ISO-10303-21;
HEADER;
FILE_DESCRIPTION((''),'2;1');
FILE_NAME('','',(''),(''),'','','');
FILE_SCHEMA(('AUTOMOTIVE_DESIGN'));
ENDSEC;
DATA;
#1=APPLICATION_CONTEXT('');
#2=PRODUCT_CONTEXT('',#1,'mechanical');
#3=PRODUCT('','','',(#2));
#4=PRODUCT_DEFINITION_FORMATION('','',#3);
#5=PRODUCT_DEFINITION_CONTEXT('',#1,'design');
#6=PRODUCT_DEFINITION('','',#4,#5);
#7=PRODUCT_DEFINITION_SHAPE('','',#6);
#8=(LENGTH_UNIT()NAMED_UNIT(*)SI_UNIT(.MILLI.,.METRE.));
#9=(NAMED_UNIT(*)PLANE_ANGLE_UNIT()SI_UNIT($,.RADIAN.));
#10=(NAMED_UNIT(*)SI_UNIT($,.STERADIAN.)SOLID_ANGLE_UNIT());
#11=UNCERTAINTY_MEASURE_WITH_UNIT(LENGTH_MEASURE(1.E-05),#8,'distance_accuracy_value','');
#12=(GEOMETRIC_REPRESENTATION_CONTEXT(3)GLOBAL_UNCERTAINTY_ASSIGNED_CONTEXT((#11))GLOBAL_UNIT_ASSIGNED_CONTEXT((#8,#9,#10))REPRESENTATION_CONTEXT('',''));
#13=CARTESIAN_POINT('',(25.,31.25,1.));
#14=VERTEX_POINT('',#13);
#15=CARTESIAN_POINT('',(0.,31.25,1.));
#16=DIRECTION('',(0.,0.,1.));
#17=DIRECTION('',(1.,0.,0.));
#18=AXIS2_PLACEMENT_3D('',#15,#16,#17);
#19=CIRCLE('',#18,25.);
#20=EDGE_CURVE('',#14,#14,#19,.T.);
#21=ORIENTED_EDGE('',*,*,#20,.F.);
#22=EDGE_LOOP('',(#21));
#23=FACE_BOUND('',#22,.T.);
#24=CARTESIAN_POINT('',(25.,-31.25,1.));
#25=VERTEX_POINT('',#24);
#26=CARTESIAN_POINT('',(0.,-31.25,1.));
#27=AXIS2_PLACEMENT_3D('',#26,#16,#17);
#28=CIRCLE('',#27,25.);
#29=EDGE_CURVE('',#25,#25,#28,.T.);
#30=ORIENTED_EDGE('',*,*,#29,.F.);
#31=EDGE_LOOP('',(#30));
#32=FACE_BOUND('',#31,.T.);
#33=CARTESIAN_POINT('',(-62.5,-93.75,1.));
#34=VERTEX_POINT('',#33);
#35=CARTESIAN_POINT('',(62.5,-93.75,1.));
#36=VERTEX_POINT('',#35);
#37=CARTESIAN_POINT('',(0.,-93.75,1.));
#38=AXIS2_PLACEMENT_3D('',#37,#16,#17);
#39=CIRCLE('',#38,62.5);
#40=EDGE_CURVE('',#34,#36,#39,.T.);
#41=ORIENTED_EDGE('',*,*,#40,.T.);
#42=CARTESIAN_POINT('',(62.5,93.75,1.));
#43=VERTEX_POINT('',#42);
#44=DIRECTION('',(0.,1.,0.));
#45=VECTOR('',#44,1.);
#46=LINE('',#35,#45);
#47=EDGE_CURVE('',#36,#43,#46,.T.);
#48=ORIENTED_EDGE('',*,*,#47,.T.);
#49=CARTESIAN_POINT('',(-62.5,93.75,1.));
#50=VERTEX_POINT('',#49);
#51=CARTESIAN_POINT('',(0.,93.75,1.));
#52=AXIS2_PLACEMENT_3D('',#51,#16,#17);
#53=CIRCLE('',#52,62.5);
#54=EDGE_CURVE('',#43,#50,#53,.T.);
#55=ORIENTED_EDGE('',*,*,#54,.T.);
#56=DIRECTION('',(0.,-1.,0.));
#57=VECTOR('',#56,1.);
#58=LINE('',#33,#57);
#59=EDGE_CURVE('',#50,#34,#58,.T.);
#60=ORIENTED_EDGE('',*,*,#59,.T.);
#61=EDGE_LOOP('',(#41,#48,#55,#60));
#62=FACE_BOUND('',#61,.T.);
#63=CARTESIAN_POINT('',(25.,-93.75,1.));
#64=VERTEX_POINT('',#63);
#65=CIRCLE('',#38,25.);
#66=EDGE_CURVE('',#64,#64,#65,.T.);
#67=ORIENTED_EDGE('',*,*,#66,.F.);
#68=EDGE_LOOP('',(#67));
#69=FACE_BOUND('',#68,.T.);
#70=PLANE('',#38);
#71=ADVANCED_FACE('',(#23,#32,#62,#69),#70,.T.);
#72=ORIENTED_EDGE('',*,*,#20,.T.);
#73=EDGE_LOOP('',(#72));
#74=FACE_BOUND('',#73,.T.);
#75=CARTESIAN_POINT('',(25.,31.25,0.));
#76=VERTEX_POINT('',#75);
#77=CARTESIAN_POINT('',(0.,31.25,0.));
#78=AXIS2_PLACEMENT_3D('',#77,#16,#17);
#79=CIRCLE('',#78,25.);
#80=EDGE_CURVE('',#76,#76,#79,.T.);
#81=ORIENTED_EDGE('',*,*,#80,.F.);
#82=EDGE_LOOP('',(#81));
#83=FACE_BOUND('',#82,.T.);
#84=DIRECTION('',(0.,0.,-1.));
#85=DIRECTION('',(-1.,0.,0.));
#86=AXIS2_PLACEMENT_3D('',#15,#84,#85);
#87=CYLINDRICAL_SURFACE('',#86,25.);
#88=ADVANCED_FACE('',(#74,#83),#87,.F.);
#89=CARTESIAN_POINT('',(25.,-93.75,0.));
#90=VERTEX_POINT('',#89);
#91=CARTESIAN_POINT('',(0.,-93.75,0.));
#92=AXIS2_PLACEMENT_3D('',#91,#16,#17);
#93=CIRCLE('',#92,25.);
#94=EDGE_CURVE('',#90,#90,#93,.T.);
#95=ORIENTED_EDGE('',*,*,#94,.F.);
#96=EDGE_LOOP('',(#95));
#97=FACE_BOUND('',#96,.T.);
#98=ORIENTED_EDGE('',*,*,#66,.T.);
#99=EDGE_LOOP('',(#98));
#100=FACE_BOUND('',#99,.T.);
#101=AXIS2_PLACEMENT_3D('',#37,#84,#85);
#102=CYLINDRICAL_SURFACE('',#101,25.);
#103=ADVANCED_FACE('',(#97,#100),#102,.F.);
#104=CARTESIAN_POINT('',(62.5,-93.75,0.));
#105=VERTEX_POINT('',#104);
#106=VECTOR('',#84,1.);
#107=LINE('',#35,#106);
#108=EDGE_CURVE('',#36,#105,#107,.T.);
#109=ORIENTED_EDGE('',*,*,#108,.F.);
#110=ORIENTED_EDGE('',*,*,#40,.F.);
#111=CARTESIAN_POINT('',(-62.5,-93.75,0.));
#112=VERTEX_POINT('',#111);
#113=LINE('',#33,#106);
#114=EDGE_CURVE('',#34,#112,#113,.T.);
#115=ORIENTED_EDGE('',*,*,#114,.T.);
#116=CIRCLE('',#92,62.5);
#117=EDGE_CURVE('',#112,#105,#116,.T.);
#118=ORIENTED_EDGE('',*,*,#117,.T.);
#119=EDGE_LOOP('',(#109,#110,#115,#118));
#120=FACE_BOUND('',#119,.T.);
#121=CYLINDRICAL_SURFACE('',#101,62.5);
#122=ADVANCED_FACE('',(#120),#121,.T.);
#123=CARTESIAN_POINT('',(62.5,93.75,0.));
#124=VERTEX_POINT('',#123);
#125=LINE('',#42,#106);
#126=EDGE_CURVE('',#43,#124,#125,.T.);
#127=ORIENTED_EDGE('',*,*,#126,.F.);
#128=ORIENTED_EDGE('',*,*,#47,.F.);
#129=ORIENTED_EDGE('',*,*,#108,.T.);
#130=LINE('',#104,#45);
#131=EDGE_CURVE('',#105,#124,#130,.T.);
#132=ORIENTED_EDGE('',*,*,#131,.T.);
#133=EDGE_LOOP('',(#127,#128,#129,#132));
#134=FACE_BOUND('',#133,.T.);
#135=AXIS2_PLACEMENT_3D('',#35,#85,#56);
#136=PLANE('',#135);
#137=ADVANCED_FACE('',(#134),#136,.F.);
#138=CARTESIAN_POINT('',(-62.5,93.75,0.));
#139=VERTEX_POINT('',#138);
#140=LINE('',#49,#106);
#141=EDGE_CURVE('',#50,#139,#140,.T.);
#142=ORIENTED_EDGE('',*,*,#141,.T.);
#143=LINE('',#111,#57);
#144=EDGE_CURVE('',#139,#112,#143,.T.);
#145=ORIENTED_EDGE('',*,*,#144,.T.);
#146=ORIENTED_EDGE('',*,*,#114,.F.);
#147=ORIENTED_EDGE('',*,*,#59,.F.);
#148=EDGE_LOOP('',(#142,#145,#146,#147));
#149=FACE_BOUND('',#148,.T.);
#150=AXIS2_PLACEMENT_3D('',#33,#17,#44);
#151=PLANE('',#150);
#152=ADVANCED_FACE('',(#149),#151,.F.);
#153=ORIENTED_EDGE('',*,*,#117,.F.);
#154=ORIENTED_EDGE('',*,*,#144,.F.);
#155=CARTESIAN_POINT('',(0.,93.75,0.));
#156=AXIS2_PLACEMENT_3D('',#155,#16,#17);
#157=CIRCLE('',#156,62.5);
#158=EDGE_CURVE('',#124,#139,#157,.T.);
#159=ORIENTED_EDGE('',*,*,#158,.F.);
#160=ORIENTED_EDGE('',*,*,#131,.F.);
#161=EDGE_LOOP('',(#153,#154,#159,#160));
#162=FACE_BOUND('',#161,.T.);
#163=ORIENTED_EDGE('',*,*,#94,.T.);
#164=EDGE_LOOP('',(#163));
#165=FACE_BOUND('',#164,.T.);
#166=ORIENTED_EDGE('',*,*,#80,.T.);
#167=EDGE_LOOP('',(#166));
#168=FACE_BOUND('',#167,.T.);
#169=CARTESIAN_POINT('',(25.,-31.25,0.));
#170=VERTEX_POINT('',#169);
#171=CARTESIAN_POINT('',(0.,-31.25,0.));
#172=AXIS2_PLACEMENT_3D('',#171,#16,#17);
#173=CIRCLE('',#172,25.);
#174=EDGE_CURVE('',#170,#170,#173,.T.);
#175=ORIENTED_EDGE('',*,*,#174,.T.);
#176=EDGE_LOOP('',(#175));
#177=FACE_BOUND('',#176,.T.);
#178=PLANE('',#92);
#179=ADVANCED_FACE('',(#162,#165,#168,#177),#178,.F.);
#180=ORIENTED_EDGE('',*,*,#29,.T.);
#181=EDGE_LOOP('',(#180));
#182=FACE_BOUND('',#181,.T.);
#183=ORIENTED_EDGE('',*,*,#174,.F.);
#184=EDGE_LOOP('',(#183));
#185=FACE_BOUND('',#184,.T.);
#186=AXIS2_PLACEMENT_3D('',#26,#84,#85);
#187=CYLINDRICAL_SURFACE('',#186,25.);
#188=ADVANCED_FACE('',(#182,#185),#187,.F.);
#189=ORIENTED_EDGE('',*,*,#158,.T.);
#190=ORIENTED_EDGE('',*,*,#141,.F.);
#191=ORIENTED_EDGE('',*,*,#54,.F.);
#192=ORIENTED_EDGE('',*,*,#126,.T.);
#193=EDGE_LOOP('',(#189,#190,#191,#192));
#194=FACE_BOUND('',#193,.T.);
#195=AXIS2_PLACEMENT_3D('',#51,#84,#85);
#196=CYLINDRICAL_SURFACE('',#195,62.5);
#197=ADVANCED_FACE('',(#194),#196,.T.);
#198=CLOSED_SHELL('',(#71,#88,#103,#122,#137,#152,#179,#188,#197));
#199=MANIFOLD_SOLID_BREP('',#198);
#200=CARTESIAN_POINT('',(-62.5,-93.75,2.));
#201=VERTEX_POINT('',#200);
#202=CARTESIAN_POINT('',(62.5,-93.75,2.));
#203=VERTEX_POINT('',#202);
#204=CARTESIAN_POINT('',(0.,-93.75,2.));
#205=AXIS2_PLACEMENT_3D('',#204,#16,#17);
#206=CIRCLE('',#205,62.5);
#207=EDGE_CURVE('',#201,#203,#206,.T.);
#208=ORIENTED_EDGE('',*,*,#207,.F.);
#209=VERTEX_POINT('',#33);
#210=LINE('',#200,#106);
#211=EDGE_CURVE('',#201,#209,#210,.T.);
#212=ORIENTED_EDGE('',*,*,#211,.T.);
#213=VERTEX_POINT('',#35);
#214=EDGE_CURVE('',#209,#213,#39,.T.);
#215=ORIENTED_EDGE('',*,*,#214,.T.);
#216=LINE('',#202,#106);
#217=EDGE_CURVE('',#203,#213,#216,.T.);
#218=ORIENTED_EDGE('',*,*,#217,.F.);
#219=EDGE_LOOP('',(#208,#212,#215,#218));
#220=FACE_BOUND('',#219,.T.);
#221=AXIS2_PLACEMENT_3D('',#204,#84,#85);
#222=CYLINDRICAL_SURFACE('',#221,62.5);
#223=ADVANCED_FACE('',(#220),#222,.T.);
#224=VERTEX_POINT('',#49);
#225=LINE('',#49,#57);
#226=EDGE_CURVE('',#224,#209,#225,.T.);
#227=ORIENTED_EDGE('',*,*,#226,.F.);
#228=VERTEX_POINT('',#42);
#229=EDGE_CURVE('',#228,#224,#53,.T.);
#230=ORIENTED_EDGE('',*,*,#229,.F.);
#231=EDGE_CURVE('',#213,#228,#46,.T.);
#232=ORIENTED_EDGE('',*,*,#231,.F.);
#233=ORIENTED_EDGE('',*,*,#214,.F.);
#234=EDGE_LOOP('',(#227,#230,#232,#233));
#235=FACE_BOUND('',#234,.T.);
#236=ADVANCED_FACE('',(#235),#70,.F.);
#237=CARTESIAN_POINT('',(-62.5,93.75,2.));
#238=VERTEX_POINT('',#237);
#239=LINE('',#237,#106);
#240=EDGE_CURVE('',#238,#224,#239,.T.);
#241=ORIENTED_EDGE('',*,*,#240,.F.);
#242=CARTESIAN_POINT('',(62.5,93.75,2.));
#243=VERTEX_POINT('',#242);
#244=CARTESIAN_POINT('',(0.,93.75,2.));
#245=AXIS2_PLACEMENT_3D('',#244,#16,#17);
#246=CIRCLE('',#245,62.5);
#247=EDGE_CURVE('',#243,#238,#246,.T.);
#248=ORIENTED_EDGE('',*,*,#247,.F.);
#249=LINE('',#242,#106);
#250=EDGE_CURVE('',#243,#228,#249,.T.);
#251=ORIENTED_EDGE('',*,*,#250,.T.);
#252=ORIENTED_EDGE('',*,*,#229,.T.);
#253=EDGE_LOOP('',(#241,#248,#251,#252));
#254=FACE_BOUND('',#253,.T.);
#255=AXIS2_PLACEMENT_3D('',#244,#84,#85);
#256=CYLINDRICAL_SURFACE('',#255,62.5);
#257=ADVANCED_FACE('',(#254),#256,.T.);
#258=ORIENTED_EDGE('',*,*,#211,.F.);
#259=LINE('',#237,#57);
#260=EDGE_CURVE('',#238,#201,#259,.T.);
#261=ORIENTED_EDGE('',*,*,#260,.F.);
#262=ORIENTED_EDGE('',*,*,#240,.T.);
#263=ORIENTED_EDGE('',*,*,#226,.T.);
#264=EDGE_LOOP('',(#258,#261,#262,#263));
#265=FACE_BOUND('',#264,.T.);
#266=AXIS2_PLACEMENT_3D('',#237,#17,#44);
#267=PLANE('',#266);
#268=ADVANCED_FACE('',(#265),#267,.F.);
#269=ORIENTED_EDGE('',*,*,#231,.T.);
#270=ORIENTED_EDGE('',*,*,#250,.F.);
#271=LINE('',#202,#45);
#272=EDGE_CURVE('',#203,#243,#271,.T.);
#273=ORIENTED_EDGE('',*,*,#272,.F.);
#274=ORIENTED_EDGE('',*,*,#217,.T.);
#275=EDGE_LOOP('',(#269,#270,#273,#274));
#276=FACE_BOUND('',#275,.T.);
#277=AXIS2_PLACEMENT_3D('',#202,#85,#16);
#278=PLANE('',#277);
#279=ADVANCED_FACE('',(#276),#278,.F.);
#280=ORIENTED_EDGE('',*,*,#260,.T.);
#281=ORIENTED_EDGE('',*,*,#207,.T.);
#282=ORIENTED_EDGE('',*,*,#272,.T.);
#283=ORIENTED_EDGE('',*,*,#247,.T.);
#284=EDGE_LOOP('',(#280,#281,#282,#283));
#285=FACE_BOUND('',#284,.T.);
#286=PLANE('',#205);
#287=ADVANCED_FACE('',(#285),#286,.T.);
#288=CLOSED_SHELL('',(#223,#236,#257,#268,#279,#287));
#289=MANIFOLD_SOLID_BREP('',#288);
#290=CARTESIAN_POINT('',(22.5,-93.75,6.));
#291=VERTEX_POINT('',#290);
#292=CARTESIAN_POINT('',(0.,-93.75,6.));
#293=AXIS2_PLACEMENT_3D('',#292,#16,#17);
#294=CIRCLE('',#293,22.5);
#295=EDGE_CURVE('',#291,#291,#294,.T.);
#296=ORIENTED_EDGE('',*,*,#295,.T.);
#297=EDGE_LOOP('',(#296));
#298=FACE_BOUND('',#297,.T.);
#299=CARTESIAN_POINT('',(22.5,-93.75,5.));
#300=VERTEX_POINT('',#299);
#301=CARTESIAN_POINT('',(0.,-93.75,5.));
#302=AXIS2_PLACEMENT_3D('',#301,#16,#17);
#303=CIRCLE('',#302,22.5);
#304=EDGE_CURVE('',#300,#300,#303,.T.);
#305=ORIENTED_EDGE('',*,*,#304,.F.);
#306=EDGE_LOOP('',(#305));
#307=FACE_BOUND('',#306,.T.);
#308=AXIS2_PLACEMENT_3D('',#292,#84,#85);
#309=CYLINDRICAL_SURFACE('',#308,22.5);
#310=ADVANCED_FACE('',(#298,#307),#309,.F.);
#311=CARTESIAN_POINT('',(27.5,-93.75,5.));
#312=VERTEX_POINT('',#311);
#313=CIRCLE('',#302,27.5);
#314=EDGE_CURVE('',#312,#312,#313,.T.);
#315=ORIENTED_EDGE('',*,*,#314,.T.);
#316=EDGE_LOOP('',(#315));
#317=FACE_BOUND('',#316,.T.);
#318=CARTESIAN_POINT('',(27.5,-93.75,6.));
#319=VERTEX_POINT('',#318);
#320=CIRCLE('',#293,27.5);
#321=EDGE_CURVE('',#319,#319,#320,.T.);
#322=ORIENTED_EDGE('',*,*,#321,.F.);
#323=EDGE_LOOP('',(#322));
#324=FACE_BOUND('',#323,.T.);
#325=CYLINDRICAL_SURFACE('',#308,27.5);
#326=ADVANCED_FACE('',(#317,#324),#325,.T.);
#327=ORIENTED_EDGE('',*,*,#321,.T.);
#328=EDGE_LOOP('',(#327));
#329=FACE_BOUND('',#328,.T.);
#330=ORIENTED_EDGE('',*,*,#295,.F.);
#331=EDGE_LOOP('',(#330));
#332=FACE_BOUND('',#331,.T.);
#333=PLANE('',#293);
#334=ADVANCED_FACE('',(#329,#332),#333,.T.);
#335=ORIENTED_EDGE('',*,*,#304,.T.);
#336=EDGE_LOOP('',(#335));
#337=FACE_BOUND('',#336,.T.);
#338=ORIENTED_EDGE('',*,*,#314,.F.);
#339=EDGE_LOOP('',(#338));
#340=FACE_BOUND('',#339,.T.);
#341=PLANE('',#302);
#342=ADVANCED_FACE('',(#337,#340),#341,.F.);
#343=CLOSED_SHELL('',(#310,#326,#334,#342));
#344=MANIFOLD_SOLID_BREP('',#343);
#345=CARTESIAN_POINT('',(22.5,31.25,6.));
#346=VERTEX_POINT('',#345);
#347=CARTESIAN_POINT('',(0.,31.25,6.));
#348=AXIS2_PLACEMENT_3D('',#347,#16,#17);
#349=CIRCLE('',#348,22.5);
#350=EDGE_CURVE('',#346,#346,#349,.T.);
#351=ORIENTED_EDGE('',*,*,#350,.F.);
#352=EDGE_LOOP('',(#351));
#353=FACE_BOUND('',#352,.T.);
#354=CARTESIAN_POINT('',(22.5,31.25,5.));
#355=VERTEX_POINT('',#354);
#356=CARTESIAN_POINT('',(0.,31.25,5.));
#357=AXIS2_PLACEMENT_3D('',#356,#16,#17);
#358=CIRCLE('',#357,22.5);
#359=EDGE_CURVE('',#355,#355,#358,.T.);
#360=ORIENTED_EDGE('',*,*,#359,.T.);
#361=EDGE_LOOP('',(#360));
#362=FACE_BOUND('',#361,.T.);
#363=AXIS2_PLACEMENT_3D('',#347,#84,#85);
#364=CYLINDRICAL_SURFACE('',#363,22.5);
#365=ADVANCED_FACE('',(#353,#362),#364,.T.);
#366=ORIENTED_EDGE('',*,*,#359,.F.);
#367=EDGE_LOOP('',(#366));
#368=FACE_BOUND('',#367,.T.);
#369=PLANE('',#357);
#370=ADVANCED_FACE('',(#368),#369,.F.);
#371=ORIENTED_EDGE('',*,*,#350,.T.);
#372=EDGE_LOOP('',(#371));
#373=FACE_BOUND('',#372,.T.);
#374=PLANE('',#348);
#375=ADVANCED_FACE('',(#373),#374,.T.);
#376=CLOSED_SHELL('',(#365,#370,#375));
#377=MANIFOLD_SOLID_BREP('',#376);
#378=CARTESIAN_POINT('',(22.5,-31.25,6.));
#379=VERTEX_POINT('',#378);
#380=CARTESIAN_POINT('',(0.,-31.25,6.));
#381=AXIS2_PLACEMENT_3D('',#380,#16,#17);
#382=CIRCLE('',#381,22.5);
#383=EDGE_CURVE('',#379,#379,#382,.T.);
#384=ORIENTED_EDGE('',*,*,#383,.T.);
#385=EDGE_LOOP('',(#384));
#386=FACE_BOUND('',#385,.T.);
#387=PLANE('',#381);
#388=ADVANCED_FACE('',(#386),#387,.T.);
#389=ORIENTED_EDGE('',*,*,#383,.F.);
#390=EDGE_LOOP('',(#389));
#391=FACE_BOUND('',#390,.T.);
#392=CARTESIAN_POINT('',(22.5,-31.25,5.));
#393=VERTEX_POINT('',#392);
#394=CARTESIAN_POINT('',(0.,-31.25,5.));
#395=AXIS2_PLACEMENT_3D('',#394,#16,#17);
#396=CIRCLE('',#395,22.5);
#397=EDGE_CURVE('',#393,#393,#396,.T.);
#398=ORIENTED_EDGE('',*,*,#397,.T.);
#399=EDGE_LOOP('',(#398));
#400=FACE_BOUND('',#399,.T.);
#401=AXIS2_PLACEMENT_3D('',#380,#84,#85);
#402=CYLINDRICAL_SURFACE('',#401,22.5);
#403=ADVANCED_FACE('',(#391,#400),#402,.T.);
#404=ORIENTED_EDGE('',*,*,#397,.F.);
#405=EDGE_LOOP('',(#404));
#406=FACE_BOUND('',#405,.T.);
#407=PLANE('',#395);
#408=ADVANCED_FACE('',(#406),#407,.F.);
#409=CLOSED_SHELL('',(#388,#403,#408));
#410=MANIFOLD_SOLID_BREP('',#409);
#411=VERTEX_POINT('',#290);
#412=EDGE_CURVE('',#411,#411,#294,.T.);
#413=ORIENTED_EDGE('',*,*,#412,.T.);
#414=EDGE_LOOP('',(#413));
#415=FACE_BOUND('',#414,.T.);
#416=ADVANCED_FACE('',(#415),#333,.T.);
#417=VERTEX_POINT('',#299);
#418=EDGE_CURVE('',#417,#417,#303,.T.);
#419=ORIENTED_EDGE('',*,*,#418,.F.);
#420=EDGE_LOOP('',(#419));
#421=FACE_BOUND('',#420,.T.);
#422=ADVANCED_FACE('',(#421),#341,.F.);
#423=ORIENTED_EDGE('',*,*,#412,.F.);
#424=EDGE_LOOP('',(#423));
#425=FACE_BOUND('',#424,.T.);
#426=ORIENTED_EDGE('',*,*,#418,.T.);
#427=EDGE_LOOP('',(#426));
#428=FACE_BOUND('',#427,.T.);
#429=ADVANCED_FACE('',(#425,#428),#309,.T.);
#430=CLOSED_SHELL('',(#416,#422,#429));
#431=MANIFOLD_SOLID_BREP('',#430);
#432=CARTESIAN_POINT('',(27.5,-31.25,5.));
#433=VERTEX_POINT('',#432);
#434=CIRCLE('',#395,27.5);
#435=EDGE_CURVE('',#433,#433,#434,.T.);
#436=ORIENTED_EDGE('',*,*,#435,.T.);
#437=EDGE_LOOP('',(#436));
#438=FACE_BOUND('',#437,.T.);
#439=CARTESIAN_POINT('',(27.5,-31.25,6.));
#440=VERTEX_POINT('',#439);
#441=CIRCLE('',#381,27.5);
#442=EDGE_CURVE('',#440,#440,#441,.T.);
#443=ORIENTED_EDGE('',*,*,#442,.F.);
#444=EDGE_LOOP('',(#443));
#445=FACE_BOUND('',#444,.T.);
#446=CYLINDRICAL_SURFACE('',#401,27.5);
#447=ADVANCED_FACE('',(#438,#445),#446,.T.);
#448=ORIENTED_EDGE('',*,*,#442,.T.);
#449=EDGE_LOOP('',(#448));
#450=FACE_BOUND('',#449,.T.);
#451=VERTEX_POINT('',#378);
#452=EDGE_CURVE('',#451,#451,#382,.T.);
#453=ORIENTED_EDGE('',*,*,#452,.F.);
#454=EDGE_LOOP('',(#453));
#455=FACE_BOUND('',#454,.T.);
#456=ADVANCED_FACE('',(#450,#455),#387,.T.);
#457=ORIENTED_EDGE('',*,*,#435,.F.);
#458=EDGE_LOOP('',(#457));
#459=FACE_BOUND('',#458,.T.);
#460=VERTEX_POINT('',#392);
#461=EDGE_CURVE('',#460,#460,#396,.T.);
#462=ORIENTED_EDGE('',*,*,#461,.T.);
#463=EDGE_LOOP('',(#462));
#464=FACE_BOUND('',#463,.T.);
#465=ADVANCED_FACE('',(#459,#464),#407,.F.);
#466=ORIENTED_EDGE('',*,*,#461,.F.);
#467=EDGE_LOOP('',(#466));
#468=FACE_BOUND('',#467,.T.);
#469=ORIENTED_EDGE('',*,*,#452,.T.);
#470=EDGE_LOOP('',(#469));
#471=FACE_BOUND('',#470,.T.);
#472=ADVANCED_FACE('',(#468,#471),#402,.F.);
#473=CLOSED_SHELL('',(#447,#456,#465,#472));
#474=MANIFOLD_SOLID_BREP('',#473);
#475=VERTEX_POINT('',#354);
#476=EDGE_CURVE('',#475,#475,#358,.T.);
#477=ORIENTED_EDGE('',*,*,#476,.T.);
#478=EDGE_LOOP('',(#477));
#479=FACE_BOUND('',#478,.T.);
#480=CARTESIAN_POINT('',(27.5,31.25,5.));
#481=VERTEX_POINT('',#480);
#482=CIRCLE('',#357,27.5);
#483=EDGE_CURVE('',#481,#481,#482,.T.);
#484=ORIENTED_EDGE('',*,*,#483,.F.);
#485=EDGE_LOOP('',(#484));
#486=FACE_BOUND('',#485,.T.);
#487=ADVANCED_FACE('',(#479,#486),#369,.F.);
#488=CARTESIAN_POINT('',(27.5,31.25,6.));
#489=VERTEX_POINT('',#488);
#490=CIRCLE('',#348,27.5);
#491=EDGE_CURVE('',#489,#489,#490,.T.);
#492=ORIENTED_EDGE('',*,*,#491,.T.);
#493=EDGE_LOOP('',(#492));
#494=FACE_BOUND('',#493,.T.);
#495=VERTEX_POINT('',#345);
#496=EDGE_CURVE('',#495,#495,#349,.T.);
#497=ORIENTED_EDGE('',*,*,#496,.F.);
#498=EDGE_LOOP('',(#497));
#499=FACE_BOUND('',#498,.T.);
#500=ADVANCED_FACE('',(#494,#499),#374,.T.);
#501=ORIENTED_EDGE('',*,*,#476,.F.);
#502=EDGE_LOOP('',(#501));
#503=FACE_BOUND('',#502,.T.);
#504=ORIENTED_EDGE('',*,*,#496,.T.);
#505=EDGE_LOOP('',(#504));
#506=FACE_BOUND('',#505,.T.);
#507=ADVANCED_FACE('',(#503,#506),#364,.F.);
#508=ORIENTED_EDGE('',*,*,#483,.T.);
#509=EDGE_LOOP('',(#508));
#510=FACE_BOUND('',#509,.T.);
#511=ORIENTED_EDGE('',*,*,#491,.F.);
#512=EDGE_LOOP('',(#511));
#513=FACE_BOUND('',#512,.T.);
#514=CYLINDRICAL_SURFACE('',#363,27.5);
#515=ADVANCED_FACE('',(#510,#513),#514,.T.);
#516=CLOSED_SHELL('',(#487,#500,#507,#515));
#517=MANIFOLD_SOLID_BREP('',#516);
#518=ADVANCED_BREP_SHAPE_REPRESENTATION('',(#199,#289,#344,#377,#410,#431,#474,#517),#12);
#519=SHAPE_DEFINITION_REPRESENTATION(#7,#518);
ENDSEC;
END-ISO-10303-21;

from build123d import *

# Parameters (mm, degrees)
SKETCH1_R             = 25
BOSS_EXTRUDE1_DEPTH   = 1
BOSS_EXTRUDE2_START   = 5
SKETCH4_R             = 27.5
SKETCH4_R_2           = 22.5
BOSS_EXTRUDE2_DEPTH   = 1
BOSS_EXTRUDE2_2_DEPTH = 1
BOSS_EXTRUDE2_3_DEPTH = 1
BOSS_EXTRUDE3_START   = 5
SKETCH5_R             = 22.5
BOSS_EXTRUDE3_DEPTH   = 1
BOSS_EXTRUDE3_2_DEPTH = 1
BOSS_EXTRUDE3_3_DEPTH = 1
BOSS_EXTRUDE4_DEPTH   = 1


with BuildPart() as part:
    # Sketch1 → Boss-Extrude1 (new body)
    with BuildSketch(Plane.XY):
        with BuildLine():
            Line((-62.5, -93.75), (-62.5, 93.75))
            ThreePointArc((-62.5, 93.75), (0, 156.25), (62.5, 93.75))
            Line((62.5, 93.75), (62.5, -93.75))
            ThreePointArc((62.5, -93.75), (0, -156.25), (-62.5, -93.75))
        make_face()
        with Locations((0, 31.25)):
            Circle(SKETCH1_R, mode=Mode.SUBTRACT)
        with Locations((0, -31.25)):
            Circle(SKETCH1_R, mode=Mode.SUBTRACT)
        with Locations((0, -93.75)):
            Circle(SKETCH1_R, mode=Mode.SUBTRACT)
    extrude(amount=BOSS_EXTRUDE1_DEPTH)


with BuildPart() as body_2:
    # Sketch4 → Boss-Extrude2 (new body)
    with BuildSketch(Plane.XY.offset(BOSS_EXTRUDE2_START)):
        with Locations((0, 31.25)):
            Circle(SKETCH4_R)
        with Locations((0, 31.25)):
            Circle(SKETCH4_R_2, mode=Mode.SUBTRACT)
    extrude(amount=BOSS_EXTRUDE2_DEPTH)


with BuildPart() as body_3:
    # Sketch4 → Boss-Extrude2 2 (new body)
    with BuildSketch(Plane.XY.offset(BOSS_EXTRUDE2_START)):
        with Locations((0, -31.25)):
            Circle(SKETCH4_R)
        with Locations((0, -31.25)):
            Circle(SKETCH4_R_2, mode=Mode.SUBTRACT)
    extrude(amount=BOSS_EXTRUDE2_2_DEPTH)


with BuildPart() as body_4:
    # Sketch4 → Boss-Extrude2 3 (new body)
    with BuildSketch(Plane.XY.offset(BOSS_EXTRUDE2_START)):
        with Locations((0, -93.75)):
            Circle(SKETCH4_R)
        with Locations((0, -93.75)):
            Circle(SKETCH4_R_2, mode=Mode.SUBTRACT)
    extrude(amount=BOSS_EXTRUDE2_3_DEPTH)


with BuildPart() as body_5:
    # Sketch5 → Boss-Extrude3 (new body)
    with BuildSketch(Plane.XY.offset(BOSS_EXTRUDE3_START)):
        with Locations((0, -93.75)):
            Circle(SKETCH5_R)
    extrude(amount=BOSS_EXTRUDE3_DEPTH)


with BuildPart() as body_6:
    # Sketch5 → Boss-Extrude3 2 (new body)
    with BuildSketch(Plane.XY.offset(BOSS_EXTRUDE3_START)):
        with Locations((0, -31.25)):
            Circle(SKETCH5_R)
    extrude(amount=BOSS_EXTRUDE3_2_DEPTH)


with BuildPart() as body_7:
    # Sketch5 → Boss-Extrude3 3 (new body)
    with BuildSketch(Plane.XY.offset(BOSS_EXTRUDE3_START)):
        with Locations((0, 31.25)):
            Circle(SKETCH5_R)
    extrude(amount=BOSS_EXTRUDE3_3_DEPTH)


with BuildPart() as body_8:
    # Sketch6 → Boss-Extrude4 (new body)
    with BuildSketch(Plane.XY.offset(1)):
        with BuildLine():
            Line((62.5, -93.75), (62.5, 93.75))
            ThreePointArc((62.5, 93.75), (0, 156.25), (-62.5, 93.75))
            Line((-62.5, 93.75), (-62.5, -93.75))
            ThreePointArc((-62.5, -93.75), (0, -156.25), (62.5, -93.75))
        make_face()
    extrude(amount=BOSS_EXTRUDE4_DEPTH)


solid = Compound([part.part, body_2.part, body_3.part, body_4.part, body_5.part, body_6.part, body_7.part, body_8.part])
